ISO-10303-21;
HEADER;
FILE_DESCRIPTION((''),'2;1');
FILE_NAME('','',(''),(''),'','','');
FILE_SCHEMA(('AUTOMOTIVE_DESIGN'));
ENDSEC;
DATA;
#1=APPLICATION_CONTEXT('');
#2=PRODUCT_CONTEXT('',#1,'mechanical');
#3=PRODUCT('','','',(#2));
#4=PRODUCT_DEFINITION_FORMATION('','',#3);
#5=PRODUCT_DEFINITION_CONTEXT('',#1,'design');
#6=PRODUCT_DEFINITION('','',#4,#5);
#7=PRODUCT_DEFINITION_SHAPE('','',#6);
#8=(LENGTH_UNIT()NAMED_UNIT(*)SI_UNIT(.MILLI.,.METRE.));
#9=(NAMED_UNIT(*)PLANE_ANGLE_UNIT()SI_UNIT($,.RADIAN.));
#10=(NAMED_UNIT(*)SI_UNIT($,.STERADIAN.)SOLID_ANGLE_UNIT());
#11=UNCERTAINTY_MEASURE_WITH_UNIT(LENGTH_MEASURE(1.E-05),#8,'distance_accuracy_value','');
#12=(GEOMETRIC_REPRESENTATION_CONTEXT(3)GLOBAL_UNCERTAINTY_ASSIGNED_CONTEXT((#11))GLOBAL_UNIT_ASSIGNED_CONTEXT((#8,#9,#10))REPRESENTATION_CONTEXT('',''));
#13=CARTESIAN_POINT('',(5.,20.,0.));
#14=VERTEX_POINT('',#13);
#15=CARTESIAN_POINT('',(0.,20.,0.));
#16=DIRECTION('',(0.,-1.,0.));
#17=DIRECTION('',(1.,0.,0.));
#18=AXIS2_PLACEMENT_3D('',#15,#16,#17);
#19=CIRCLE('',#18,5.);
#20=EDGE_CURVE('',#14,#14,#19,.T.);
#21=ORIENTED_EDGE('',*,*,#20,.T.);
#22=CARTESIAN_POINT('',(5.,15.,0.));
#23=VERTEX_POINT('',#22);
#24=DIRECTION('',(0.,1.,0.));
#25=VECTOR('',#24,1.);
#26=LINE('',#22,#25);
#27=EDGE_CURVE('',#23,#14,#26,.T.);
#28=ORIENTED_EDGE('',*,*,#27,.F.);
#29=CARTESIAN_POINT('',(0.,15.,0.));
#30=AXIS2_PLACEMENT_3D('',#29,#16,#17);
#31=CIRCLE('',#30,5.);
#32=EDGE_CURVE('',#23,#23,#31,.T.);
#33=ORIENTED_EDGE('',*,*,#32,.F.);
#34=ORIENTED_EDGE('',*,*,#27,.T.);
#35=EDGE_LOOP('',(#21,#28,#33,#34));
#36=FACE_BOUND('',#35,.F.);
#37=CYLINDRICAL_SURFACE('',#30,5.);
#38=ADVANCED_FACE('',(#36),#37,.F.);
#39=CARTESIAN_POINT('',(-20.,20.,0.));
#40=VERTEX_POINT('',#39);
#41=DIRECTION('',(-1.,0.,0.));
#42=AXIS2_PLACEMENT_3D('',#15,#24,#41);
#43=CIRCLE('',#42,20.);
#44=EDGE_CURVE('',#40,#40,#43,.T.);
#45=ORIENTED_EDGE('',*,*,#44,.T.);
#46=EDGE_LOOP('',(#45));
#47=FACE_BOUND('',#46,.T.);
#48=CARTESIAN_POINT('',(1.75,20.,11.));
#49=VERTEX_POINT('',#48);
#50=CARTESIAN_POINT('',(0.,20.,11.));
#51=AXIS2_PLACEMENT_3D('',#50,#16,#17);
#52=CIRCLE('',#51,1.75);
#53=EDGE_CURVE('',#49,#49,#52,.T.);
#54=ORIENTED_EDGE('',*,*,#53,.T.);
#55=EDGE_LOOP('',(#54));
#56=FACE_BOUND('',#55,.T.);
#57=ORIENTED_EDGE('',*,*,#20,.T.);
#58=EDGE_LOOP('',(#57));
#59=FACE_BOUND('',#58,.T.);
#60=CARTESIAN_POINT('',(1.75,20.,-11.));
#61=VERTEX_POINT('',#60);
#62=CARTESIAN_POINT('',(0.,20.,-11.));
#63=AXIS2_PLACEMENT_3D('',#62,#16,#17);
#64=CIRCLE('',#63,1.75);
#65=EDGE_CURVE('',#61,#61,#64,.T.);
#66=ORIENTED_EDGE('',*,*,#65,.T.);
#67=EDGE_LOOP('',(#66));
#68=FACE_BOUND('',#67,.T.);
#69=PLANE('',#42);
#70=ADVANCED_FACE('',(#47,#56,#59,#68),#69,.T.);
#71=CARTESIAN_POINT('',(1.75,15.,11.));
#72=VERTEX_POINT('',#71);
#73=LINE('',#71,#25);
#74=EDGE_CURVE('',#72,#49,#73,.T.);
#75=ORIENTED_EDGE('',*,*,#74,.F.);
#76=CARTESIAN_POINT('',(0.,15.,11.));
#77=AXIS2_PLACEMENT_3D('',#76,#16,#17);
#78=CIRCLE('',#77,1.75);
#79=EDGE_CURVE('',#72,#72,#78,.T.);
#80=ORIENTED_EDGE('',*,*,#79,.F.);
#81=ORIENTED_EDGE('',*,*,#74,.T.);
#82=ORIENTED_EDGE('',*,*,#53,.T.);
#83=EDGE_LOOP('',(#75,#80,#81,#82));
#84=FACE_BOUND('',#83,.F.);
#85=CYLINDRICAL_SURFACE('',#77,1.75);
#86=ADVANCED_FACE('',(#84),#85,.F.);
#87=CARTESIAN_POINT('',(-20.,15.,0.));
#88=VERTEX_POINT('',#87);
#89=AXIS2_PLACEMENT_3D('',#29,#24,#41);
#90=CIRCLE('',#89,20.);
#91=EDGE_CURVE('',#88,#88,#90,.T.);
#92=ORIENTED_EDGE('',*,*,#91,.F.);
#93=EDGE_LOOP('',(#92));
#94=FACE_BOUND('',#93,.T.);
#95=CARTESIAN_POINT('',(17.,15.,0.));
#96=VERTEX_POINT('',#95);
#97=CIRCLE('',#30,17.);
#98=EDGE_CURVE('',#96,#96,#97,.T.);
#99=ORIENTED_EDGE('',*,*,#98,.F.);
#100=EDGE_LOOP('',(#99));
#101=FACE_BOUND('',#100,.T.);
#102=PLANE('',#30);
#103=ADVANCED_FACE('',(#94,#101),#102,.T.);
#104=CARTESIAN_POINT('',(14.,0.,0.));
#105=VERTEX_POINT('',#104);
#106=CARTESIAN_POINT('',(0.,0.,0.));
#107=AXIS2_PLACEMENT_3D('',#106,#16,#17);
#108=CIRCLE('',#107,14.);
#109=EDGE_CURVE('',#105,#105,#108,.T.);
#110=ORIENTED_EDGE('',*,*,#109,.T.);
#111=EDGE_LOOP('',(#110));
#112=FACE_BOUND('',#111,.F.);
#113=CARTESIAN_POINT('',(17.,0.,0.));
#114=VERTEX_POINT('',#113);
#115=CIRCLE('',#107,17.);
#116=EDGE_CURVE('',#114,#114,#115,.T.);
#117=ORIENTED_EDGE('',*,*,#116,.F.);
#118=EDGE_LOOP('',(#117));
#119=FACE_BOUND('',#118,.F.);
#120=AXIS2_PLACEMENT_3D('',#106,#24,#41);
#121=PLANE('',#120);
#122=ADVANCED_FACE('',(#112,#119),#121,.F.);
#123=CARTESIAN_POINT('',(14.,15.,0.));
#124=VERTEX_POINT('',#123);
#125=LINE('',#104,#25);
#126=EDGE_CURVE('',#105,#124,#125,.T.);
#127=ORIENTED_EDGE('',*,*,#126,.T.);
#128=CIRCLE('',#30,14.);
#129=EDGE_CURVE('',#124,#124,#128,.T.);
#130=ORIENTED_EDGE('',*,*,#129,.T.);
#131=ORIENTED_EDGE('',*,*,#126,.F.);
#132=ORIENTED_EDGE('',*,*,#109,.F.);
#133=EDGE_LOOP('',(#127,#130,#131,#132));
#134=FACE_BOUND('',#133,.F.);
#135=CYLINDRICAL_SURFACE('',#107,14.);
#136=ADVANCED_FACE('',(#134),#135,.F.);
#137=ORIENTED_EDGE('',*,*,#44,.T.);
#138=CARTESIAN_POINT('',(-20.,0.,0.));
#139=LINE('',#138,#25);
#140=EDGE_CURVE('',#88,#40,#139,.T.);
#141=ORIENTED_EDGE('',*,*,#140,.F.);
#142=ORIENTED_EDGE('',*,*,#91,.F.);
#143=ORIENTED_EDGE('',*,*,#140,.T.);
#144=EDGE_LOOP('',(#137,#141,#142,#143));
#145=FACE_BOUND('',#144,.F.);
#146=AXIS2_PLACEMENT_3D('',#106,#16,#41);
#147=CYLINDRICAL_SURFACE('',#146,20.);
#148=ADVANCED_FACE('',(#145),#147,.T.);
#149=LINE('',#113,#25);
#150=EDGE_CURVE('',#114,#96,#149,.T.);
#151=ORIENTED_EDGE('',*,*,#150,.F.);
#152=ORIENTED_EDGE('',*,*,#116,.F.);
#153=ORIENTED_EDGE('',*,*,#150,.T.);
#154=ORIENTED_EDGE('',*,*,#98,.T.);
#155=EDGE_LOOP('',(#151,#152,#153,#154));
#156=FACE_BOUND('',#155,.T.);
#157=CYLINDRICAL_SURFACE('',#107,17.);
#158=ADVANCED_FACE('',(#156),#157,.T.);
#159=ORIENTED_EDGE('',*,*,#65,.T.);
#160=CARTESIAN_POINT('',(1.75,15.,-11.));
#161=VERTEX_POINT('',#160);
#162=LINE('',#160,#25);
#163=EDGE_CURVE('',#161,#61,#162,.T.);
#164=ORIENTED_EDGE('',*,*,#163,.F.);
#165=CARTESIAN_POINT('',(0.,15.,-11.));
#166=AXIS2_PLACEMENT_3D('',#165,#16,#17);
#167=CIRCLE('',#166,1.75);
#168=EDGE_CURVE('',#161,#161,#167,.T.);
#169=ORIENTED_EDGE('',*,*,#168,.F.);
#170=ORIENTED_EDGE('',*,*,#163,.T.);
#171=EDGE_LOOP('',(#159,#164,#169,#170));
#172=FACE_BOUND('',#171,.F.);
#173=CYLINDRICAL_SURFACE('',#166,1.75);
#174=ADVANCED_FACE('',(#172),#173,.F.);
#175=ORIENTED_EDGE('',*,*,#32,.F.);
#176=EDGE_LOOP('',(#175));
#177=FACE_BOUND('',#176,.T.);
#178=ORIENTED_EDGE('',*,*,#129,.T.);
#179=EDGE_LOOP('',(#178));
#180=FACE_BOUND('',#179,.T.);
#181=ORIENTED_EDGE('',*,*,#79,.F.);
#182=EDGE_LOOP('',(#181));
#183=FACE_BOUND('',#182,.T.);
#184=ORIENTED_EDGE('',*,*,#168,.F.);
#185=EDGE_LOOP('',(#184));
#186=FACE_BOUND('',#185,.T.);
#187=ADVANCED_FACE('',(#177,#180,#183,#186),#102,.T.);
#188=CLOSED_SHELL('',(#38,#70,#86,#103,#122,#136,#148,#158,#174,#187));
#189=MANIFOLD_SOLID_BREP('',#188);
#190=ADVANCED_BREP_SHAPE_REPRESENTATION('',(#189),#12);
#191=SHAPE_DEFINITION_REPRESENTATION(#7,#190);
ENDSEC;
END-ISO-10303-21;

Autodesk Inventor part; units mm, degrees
ref_plane "YZ Plane" through (0, 0, 0) normal (1, 0, 0) x (0, 1, 0)
ref_plane "XZ Plane" through (0, 0, 0) normal (0, 1, 0) x (-1, 0, 0)
ref_plane "XY Plane" through (0, 0, 0) normal (0, 0, 1) x (1, 0, 0)
sketch "Esquisse1" plane through (0, 0, 0) normal (0, 1, 0) x (-1, 0, 0)
  circle A0 centre (0, 0) radius 20
  dimension "d0" = 40
extrude "Extrusion1" add sketch "Esquisse1" along normal blind 20
sketch "Esquisse2" plane through (0, 0, 0) normal (0, -1, 0) x (1, 0, 0)
  circle A0 centre (0, 0) radius 20 projected
  circle A1 centre (0, 0) radius 17
  dimension "d3" = 3
extrude "Extrusion2" cut sketch "Esquisse2" against normal blind 15
sketch "Esquisse3" plane through (0, 0, 0) normal (0, -1, 0) x (1, 0, 0)
  circle A0 centre (0, 0) radius 17 projected
  circle A1 centre (0, 0) radius 14
  dimension "d6" = 3
extrude "Extrusion3" cut sketch "Esquisse3" against normal blind 15 contours A1
sketch "Esquisse4" plane through (0, 15, 0) normal (0, -1, 0) x (1, 0, 0)
  circle A0 centre (0, 0) radius 14 projected
  circle A1 centre (0, 0) radius 5
  circle A2 centre (0, 11) radius 1.75
  circle A3 centre (0, -11) radius 1.75
  dimension "d9" = 10
  dimension "d10" = 3.5
  dimension "d11" = 3.5
  dimension "d12" = 11
  dimension "d13" = 11
extrude "Extrusion4" cut sketch "Esquisse4" against normal through all contours A1 | A2 | A3
equation "\"d11\" = d10"
equation "\"d13\" = d12"
properties part number "Bouchon PVC" material "PVC, non plastifié"
